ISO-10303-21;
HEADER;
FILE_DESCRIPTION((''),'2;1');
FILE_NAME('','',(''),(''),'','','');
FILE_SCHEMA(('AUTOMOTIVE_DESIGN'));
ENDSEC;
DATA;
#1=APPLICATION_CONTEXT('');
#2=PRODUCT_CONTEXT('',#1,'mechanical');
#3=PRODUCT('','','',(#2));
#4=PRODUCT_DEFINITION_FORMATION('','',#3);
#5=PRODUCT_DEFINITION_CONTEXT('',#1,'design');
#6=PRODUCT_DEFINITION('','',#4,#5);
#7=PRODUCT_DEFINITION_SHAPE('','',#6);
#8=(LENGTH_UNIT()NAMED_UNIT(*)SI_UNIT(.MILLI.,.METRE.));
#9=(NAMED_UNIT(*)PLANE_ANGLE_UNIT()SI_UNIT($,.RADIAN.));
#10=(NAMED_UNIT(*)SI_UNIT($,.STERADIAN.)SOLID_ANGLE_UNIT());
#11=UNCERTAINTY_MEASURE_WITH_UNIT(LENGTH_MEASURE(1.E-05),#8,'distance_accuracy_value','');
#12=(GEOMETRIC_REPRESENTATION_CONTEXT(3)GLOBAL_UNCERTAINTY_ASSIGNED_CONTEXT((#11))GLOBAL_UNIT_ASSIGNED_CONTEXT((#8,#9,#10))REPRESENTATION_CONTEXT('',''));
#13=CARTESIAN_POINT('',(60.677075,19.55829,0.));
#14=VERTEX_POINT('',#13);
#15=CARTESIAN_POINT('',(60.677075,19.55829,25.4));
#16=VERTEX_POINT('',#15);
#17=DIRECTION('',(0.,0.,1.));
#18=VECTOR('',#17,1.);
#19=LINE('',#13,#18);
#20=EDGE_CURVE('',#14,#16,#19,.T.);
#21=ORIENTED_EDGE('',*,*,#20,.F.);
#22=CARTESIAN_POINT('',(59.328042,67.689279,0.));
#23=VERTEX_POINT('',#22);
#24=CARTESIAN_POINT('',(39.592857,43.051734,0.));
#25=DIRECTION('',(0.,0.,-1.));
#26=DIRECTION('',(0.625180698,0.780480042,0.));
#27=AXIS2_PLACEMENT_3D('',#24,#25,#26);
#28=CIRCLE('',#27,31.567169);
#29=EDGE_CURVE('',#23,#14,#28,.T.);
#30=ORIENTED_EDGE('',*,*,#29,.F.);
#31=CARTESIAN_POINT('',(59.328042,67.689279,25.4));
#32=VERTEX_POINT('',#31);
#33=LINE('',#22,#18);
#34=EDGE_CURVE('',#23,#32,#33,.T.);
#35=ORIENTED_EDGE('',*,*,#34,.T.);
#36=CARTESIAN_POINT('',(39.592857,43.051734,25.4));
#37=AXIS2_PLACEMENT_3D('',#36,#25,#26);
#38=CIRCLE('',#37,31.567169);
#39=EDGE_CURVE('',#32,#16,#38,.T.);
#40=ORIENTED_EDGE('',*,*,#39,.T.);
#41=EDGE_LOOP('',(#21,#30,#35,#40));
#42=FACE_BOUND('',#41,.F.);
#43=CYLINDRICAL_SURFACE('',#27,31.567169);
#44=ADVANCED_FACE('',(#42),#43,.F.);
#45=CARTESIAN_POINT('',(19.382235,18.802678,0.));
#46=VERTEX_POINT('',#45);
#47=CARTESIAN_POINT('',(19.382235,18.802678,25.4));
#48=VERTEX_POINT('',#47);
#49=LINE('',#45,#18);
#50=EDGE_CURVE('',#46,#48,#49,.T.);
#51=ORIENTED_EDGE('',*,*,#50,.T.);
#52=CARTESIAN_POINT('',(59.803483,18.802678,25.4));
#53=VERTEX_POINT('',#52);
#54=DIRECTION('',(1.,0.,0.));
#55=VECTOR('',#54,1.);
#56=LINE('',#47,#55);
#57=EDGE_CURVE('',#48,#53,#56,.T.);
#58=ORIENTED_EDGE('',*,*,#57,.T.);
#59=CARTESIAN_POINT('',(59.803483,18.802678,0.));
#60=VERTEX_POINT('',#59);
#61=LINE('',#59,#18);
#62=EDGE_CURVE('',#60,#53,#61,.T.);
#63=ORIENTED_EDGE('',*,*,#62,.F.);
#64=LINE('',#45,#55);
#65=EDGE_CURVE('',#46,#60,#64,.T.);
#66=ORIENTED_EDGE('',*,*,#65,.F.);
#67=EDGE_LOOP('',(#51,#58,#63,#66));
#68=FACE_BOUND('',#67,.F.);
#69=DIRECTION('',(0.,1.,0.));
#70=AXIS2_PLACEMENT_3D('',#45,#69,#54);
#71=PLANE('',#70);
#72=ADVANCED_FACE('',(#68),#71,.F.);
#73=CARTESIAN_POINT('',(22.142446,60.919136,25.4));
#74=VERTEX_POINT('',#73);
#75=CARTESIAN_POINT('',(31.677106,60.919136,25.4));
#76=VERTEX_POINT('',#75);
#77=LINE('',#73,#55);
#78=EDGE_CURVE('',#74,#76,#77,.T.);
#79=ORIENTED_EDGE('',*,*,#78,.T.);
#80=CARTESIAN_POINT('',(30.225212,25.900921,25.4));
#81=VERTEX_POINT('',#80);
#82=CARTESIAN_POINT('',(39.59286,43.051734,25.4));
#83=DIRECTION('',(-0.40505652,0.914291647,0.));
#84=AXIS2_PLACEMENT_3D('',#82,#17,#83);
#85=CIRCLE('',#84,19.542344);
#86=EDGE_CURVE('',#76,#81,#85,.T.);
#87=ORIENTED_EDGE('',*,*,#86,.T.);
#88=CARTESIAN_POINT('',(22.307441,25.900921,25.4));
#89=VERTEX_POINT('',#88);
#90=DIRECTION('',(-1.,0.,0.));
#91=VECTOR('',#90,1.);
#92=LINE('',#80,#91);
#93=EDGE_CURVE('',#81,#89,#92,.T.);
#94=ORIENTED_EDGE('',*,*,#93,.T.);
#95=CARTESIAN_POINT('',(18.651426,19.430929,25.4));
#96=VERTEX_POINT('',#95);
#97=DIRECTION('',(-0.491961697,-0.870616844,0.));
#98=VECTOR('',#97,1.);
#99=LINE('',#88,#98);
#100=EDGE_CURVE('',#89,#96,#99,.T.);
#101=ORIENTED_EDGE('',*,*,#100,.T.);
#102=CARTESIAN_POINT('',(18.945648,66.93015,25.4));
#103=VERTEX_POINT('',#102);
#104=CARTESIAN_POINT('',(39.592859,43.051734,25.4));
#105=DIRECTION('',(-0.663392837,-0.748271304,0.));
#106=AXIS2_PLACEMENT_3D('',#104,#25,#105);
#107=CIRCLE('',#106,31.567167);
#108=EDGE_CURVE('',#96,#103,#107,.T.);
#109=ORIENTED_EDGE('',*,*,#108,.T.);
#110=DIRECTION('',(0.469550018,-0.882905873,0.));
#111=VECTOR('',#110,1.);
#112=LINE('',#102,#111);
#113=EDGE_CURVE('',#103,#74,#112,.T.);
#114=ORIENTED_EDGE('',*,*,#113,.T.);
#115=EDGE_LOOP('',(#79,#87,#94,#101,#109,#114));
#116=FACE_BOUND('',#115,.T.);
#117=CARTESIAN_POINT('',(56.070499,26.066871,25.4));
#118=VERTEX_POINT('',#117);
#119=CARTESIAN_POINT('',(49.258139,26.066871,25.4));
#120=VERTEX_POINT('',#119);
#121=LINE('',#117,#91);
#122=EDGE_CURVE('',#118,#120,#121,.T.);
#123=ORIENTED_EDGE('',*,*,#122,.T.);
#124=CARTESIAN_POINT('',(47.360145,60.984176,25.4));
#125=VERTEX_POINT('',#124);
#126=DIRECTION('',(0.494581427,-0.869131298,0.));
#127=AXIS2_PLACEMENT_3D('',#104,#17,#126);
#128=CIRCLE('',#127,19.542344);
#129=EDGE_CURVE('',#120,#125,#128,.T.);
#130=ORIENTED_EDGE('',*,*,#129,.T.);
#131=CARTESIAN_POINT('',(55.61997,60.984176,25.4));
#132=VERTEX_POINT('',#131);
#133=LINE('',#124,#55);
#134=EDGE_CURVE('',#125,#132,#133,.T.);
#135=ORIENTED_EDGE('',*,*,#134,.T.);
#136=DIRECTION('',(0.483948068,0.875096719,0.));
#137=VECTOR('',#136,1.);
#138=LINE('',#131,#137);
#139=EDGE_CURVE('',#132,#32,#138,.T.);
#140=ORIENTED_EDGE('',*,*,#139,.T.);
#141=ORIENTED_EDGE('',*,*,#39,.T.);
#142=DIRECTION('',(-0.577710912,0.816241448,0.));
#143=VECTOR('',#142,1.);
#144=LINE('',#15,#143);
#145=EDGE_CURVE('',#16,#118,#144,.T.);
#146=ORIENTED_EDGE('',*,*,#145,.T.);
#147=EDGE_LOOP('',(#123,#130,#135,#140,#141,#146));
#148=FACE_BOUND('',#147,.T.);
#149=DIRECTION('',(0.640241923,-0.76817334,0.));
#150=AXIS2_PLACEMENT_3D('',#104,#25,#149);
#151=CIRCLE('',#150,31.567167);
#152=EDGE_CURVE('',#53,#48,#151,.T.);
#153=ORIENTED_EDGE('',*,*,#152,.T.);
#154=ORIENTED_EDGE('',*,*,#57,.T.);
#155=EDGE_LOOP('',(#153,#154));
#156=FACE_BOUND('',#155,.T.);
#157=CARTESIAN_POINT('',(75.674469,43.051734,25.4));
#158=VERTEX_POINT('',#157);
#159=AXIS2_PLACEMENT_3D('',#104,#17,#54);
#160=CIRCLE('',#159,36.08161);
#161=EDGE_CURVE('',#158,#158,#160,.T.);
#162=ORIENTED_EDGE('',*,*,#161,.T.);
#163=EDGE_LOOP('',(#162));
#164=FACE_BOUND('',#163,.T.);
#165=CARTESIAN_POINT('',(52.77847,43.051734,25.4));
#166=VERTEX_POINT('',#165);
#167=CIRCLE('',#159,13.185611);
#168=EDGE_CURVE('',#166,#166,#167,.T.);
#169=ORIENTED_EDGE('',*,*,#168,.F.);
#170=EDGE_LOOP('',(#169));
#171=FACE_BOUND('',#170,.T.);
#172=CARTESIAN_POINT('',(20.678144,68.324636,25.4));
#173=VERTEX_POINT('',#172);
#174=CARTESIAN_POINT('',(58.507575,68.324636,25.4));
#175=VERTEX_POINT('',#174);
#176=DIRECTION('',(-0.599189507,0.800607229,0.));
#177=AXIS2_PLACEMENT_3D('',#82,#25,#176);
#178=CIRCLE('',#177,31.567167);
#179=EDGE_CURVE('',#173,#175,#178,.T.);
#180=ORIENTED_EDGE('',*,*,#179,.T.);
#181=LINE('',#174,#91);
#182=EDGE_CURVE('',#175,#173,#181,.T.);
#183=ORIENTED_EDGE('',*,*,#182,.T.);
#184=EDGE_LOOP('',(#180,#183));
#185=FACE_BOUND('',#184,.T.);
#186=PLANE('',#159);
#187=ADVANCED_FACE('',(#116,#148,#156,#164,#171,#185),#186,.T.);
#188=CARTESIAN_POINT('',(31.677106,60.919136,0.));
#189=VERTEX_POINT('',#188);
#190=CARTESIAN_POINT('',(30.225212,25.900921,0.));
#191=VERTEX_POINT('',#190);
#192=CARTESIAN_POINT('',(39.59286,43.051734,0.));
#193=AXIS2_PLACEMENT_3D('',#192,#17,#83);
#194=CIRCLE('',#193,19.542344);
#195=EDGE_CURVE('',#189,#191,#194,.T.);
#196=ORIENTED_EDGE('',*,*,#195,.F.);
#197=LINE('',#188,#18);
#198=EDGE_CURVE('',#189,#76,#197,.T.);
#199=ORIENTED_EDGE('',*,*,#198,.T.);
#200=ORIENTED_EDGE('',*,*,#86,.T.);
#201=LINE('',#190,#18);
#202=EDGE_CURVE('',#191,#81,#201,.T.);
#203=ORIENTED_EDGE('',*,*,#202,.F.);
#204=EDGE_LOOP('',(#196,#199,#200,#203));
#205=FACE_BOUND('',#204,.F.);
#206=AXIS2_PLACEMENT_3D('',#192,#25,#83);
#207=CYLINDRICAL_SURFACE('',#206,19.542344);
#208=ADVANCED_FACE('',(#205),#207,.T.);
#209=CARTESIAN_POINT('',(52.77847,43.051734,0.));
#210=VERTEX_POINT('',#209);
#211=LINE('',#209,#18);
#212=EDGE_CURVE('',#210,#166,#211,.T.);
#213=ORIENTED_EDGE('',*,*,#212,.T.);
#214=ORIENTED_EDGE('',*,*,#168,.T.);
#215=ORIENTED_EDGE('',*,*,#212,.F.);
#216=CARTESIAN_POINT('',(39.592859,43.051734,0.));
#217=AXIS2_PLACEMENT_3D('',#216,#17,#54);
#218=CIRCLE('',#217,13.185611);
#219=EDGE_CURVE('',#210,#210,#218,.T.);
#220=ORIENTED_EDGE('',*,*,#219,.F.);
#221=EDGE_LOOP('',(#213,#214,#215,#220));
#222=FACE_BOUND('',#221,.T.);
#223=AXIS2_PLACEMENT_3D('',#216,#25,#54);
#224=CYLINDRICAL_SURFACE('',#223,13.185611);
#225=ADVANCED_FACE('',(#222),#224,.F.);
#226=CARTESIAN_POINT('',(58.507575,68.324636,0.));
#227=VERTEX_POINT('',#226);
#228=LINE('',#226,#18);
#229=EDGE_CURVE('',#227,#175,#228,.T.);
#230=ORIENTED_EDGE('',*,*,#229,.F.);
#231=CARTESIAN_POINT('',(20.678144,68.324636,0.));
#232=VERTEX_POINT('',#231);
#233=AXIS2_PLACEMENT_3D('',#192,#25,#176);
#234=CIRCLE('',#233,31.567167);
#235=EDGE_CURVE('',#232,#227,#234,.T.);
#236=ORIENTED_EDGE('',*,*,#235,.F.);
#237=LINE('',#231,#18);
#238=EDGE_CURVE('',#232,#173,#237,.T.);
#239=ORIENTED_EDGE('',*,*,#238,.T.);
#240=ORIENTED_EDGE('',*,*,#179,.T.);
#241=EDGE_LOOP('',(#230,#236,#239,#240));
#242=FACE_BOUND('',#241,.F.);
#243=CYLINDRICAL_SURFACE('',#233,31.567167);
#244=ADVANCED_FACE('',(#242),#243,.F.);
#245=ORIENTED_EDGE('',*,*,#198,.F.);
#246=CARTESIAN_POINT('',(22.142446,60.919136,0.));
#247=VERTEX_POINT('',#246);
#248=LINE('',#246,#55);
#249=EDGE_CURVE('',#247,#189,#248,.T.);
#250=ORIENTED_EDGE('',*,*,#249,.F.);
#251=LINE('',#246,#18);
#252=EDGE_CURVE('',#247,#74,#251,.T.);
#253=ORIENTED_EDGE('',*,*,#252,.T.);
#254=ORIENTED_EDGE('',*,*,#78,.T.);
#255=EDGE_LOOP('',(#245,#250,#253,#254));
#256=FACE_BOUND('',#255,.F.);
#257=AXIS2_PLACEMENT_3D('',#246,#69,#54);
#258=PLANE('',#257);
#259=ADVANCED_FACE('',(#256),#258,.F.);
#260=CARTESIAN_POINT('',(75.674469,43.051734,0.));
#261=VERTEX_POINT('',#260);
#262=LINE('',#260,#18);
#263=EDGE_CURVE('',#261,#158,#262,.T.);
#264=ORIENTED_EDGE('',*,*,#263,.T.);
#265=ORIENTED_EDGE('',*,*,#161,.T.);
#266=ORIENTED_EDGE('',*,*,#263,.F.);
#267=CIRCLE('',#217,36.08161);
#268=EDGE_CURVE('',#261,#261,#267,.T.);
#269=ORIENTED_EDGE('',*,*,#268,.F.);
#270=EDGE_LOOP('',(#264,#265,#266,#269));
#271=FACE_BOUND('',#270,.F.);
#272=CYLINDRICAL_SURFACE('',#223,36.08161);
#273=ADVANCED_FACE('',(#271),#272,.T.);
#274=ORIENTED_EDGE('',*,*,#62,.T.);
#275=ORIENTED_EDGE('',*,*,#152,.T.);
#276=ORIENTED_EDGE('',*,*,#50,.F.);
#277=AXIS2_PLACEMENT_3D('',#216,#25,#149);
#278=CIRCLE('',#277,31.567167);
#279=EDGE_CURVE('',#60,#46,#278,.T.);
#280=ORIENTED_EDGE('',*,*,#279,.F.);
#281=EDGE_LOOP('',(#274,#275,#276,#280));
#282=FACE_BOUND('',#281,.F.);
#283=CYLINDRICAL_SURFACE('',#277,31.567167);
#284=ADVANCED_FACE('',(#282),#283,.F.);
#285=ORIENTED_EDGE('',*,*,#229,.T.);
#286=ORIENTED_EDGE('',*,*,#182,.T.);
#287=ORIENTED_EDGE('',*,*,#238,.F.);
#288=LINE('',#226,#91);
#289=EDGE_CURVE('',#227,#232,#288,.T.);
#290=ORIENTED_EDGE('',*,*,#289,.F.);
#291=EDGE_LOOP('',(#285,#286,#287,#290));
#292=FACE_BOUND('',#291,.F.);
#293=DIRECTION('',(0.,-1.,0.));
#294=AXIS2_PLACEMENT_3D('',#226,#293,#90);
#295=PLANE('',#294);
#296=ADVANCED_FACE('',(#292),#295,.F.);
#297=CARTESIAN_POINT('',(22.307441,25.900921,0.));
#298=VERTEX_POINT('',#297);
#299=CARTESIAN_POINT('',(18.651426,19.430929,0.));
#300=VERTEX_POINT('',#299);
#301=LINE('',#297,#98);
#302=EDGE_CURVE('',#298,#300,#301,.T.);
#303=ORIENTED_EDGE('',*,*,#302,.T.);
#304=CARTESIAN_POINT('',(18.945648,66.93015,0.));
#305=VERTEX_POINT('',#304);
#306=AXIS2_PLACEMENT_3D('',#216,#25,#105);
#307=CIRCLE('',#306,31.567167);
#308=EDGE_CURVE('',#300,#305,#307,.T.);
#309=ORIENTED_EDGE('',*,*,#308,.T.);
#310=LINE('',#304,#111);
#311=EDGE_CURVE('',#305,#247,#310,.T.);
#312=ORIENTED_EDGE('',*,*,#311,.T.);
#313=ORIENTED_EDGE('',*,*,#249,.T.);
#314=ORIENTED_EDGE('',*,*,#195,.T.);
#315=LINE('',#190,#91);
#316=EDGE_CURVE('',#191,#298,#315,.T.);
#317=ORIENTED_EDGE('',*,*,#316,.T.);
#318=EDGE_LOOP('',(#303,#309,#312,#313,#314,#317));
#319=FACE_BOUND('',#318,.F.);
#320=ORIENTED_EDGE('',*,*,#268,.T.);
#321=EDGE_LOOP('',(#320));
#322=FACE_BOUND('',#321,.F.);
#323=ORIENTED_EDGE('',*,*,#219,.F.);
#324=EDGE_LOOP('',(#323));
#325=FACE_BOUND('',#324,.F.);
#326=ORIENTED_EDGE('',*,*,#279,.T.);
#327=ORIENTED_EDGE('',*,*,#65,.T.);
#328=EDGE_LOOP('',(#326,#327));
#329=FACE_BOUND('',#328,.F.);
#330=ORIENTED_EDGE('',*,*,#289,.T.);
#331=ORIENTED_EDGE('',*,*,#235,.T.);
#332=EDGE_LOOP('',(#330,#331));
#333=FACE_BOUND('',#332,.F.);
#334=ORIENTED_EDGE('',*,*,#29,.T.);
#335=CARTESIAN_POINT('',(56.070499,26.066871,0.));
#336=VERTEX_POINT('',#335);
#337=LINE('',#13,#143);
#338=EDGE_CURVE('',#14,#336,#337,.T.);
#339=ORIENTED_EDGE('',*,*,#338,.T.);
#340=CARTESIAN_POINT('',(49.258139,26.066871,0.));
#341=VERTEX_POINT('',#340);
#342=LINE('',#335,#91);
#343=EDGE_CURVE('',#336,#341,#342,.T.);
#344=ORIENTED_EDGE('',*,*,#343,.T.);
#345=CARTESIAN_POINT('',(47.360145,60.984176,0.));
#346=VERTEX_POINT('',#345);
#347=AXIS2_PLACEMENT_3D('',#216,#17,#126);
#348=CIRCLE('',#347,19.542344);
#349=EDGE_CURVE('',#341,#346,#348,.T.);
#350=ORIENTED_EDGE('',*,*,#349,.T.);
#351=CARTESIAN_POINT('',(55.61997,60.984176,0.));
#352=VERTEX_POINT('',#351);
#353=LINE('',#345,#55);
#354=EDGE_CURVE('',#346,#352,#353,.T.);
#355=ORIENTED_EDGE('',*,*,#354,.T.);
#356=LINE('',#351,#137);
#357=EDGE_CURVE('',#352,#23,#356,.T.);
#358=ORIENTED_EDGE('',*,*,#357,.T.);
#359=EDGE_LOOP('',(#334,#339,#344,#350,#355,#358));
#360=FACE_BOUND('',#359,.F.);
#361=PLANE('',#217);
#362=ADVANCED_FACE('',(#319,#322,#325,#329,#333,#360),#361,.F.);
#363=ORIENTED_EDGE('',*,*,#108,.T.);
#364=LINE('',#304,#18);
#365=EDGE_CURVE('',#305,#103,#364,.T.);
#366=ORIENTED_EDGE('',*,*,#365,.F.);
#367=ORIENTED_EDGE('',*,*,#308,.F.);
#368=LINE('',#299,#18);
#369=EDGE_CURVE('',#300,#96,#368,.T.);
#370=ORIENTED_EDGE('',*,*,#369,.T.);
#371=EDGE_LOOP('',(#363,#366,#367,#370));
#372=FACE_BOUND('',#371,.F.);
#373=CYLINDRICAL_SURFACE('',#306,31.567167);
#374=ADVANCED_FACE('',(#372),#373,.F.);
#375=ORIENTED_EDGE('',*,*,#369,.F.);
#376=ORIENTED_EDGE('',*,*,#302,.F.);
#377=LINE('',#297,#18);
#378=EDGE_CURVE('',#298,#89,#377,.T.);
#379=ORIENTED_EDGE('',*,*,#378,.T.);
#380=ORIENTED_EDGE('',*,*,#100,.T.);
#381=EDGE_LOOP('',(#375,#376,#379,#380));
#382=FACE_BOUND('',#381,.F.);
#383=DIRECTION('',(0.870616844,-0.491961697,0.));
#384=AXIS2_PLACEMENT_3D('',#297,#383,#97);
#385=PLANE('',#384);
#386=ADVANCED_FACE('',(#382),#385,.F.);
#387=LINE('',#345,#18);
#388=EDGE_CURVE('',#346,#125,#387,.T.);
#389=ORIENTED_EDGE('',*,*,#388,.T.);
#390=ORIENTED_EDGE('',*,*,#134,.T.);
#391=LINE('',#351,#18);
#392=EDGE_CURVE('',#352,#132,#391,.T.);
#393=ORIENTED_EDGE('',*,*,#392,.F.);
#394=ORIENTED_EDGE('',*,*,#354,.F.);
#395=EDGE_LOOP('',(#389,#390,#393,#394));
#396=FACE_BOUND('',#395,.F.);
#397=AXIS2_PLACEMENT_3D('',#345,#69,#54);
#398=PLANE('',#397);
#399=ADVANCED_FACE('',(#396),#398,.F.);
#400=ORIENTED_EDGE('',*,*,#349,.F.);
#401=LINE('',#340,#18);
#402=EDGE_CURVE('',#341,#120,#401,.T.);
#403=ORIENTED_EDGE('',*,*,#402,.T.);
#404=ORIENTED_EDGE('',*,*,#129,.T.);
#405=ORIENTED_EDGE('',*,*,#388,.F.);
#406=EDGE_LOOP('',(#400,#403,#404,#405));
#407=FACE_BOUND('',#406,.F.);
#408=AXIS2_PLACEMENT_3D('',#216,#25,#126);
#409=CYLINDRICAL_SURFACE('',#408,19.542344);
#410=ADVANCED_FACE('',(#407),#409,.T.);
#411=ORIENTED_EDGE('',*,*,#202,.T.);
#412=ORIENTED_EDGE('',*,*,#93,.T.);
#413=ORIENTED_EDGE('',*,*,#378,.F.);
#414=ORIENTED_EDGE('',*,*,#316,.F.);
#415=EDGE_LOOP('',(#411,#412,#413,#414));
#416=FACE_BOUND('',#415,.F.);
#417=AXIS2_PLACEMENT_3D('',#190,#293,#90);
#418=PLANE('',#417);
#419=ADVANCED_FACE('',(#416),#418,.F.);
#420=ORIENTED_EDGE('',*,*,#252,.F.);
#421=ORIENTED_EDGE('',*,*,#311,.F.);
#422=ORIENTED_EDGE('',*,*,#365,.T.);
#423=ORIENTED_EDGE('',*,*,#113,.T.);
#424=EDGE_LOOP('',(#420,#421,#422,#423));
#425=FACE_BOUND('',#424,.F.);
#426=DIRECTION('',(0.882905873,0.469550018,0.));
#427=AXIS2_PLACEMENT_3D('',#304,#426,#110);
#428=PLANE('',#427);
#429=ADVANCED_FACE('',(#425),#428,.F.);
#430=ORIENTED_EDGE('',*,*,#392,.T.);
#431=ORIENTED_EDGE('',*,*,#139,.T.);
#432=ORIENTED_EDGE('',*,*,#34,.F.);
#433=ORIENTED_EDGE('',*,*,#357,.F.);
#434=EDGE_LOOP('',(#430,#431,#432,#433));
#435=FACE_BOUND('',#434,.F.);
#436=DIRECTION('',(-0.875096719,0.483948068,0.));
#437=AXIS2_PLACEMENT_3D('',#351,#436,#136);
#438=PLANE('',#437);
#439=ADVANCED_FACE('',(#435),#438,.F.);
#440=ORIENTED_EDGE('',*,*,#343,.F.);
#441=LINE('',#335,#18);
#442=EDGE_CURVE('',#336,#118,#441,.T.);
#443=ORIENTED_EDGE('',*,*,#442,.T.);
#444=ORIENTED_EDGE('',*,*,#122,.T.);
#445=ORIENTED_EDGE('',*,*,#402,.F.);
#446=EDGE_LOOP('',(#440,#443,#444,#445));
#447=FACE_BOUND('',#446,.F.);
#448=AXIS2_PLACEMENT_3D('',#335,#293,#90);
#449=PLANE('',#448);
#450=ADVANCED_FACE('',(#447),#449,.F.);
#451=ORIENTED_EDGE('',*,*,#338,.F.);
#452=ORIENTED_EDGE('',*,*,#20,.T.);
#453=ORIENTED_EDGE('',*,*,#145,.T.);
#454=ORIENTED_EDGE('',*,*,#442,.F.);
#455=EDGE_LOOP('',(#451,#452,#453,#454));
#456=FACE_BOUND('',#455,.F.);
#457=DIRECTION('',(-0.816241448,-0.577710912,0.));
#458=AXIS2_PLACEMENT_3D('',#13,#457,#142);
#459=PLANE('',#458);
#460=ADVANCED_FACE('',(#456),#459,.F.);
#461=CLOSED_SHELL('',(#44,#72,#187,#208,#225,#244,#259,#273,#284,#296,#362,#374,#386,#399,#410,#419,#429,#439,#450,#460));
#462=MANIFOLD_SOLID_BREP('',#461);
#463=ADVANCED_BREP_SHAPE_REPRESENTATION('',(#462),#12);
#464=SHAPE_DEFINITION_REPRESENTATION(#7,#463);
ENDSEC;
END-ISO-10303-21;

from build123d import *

# Parameters (mm, degrees)
F0_R     = 36.08161
F0_R_2   = 13.185611
F1_DEPTH = 25.4


with BuildPart() as f1:
    # F0 (on Top) → F1 (new body)
    with BuildSketch(Plane.XY):
        with Locations((39.592859, 43.051734)):
            Circle(F0_R)
        with BuildLine():
            Line((19.382235, 18.802678), (59.803483, 18.802678))
            ThreePointArc((59.803483, 18.802678), (39.592859, 11.484567), (19.382235, 18.802678))
        make_face(mode=Mode.SUBTRACT)
        with BuildLine():
            ThreePointArc((18.651426, 19.430929), (8.026297, 43.247265), (18.945648, 66.93015))
            Line((18.945648, 66.93015), (22.142446, 60.919136))
            Line((22.142446, 60.919136), (31.677106, 60.919136))
            ThreePointArc((31.677106, 60.919136), (20.067291, 43.861285), (30.225212, 25.900921))
            Line((30.225212, 25.900921), (22.307441, 25.900921))
            Line((22.307441, 25.900921), (18.651426, 19.430929))
        make_face(mode=Mode.SUBTRACT)
        with Locations((39.592859, 43.051734)):
            Circle(F0_R_2, mode=Mode.SUBTRACT)
        with BuildLine():
            ThreePointArc((59.328042, 67.689279), (71.147634, 43.936163), (60.677075, 19.55829))
            Line((60.677075, 19.55829), (56.070499, 26.066871))
            Line((56.070499, 26.066871), (49.258139, 26.066871))
            ThreePointArc((49.258139, 26.066871), (59.106396, 44.112428), (47.360145, 60.984176))
            Line((47.360145, 60.984176), (55.61997, 60.984176))
            Line((55.61997, 60.984176), (59.328042, 67.689279))
        make_face(mode=Mode.SUBTRACT)
        with BuildLine():
            ThreePointArc((20.678144, 68.324636), (39.592859, 74.618901), (58.507575, 68.324636))
            Line((58.507575, 68.324636), (20.678144, 68.324636))
        make_face(mode=Mode.SUBTRACT)
    extrude(amount=F1_DEPTH)


solid = f1.part
